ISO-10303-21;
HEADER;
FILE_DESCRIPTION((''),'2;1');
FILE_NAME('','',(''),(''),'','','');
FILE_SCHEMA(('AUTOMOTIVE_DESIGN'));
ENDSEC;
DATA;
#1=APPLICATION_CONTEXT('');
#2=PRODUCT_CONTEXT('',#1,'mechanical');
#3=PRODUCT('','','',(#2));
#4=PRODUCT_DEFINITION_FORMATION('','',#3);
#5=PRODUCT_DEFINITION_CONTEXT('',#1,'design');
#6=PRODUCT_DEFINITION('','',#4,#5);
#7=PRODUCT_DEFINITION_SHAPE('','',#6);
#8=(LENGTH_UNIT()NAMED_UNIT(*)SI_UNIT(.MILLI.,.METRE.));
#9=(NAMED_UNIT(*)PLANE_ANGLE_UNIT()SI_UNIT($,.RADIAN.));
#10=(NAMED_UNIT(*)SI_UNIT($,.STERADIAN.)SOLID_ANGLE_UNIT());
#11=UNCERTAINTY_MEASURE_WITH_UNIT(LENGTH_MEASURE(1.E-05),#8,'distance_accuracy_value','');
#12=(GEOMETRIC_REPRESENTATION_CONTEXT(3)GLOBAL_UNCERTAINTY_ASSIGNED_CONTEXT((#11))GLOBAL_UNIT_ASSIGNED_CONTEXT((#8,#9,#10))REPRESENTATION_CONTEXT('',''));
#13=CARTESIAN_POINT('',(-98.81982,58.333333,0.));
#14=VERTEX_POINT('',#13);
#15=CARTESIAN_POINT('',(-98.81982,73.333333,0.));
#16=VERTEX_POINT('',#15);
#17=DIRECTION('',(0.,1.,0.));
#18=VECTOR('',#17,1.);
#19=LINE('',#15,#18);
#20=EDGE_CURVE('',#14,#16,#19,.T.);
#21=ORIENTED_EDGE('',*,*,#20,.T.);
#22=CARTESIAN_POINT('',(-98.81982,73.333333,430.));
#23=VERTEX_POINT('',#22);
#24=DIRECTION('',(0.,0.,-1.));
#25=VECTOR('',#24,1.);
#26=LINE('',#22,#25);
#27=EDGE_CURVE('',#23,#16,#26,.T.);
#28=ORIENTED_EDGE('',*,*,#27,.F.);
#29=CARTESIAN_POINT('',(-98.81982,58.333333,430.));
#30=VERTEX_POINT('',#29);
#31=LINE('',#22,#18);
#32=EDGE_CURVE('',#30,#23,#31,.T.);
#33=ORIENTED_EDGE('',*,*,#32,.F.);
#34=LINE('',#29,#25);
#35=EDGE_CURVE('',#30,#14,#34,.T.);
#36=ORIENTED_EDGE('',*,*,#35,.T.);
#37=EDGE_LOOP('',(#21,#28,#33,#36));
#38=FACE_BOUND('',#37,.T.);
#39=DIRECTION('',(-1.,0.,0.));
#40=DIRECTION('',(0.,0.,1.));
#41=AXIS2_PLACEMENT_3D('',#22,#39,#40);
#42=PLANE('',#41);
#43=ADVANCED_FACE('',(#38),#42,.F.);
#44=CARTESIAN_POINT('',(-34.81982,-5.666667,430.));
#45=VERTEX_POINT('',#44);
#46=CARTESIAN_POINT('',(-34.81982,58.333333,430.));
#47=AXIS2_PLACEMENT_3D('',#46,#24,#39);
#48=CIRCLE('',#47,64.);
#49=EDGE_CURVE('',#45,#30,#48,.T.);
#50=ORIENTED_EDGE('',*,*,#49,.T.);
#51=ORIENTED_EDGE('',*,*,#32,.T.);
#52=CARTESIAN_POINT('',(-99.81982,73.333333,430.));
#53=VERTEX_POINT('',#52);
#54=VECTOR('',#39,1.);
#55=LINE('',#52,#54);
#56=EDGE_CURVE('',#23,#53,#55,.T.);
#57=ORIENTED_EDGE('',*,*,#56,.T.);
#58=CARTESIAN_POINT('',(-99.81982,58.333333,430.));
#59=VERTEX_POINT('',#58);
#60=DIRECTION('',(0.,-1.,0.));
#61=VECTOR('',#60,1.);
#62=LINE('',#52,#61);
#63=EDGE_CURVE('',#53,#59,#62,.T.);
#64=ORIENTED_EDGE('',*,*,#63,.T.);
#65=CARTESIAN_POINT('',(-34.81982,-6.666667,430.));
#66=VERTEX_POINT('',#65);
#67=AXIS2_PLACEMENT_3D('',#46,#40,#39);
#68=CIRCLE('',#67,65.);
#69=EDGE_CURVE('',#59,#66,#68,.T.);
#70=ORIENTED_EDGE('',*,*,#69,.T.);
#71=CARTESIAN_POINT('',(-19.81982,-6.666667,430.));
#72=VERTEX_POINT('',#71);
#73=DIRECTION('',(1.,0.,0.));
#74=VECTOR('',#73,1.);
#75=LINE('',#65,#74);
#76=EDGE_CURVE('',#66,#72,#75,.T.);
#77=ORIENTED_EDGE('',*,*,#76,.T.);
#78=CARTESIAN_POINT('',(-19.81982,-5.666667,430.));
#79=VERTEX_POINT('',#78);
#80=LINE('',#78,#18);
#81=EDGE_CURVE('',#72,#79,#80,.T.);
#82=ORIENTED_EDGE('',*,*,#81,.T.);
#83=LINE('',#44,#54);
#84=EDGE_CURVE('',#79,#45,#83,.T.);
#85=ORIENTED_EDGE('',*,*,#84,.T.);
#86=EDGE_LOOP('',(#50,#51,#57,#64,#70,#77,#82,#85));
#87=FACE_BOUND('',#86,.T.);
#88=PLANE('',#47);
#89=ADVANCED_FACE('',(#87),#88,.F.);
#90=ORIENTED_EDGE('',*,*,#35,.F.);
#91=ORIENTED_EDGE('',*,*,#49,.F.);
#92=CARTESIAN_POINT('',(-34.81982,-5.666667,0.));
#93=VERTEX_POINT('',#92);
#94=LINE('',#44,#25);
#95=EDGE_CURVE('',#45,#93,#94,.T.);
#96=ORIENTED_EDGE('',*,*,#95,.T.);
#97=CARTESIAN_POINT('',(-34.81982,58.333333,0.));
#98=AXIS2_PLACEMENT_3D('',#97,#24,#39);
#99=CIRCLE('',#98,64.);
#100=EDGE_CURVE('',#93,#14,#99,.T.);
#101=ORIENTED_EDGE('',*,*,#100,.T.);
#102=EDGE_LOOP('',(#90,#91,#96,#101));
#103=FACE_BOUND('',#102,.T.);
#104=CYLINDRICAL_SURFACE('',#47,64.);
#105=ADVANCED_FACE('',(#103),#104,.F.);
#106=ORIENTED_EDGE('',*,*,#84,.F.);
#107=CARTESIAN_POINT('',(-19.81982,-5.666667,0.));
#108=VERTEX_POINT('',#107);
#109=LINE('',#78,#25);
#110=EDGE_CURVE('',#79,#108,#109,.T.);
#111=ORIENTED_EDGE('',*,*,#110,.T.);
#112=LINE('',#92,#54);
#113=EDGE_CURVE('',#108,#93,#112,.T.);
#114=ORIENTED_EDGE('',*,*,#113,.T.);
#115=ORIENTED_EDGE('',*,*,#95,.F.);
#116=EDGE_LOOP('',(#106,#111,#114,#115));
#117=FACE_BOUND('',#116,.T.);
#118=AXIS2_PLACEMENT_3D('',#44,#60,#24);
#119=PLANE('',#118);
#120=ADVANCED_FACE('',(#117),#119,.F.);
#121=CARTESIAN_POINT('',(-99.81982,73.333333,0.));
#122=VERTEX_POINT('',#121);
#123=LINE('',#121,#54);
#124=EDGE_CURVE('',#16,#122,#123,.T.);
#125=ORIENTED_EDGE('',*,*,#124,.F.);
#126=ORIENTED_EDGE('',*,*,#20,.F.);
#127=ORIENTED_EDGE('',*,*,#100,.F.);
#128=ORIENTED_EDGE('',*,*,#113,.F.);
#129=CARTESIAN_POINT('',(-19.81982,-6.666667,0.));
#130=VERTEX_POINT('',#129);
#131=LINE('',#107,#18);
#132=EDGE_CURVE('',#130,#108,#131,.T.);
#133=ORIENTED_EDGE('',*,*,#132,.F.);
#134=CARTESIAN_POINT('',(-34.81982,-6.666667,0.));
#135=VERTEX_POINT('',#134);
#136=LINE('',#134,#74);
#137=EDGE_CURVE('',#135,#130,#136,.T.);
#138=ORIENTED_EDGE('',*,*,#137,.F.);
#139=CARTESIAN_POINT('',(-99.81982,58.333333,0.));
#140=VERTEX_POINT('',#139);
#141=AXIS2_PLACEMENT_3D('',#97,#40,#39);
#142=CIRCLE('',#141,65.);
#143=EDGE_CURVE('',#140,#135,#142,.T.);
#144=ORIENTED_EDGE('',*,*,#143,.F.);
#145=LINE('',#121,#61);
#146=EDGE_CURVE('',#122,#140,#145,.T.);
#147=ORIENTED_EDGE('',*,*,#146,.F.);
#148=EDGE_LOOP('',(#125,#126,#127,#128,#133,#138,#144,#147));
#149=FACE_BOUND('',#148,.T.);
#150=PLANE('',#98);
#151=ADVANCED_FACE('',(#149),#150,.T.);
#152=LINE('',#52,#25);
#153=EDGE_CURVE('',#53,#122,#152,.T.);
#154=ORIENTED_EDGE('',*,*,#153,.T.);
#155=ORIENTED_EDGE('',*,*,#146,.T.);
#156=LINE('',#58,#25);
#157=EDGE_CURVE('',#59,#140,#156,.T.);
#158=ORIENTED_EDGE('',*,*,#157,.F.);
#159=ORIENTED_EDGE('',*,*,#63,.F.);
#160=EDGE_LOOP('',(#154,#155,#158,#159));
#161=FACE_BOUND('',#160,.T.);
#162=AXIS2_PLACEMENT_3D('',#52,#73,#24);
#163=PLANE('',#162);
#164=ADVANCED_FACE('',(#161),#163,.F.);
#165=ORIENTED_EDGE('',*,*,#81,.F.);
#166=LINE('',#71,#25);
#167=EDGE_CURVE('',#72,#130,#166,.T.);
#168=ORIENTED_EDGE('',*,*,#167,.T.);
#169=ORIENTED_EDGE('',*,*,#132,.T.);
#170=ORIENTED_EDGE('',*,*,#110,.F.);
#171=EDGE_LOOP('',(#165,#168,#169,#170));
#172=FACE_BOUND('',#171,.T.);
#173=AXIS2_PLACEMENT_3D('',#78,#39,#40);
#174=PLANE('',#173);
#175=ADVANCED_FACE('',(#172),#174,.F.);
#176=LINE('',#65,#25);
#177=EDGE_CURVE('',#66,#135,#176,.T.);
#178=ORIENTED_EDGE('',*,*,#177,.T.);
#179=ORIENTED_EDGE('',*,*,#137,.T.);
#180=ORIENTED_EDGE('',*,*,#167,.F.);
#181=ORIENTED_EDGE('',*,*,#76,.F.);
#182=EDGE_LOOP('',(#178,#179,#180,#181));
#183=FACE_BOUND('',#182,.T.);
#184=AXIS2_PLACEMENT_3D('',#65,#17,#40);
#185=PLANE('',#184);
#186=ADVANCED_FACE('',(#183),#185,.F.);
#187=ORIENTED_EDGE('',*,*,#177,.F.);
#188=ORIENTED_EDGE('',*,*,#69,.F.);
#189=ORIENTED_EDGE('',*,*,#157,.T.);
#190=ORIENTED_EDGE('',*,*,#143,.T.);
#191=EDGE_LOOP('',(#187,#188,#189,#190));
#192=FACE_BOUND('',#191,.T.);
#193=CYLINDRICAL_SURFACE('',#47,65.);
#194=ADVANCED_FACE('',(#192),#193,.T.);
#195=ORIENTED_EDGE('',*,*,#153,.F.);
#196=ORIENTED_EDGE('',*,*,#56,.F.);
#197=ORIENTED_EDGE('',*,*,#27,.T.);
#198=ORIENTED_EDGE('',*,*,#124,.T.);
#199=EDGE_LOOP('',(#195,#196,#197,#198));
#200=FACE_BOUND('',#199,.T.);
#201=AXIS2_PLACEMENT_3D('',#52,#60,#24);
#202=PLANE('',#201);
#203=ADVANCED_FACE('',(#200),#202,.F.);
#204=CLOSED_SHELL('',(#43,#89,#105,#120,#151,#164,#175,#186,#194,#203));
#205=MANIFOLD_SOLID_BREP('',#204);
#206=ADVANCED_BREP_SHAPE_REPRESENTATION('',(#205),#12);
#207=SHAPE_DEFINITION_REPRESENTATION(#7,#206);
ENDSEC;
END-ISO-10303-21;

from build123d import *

# Parameters (mm, degrees)
BOSS_EXTRUDE4_DEPTH = 430


with BuildPart() as part:
    # Sketch3 → Boss-Extrude4 (new body)
    with BuildSketch(Plane.XY):
        with BuildLine():
            Line((-99.81981982, 73.333333333), (-99.81981982, 58.333333333))
            ThreePointArc((-99.81981982, 58.333333333), (-80.781760597, 12.371392556), (-34.81981982, -6.666666667))
            Line((-34.81981982, -6.666666667), (-19.81981982, -6.666666667))
            Line((-19.81981982, -6.666666667), (-19.81981982, -5.666666667))
            Line((-19.81981982, -5.666666667), (-34.81981982, -5.666666667))
            ThreePointArc((-34.81981982, -5.666666667), (-80.074653816, 13.078499337), (-98.81981982, 58.333333333))
            Line((-98.81981982, 58.333333333), (-98.81981982, 73.333333333))
            Line((-98.81981982, 73.333333333), (-99.81981982, 73.333333333))
        make_face()
    extrude(amount=BOSS_EXTRUDE4_DEPTH)


solid = part.part
